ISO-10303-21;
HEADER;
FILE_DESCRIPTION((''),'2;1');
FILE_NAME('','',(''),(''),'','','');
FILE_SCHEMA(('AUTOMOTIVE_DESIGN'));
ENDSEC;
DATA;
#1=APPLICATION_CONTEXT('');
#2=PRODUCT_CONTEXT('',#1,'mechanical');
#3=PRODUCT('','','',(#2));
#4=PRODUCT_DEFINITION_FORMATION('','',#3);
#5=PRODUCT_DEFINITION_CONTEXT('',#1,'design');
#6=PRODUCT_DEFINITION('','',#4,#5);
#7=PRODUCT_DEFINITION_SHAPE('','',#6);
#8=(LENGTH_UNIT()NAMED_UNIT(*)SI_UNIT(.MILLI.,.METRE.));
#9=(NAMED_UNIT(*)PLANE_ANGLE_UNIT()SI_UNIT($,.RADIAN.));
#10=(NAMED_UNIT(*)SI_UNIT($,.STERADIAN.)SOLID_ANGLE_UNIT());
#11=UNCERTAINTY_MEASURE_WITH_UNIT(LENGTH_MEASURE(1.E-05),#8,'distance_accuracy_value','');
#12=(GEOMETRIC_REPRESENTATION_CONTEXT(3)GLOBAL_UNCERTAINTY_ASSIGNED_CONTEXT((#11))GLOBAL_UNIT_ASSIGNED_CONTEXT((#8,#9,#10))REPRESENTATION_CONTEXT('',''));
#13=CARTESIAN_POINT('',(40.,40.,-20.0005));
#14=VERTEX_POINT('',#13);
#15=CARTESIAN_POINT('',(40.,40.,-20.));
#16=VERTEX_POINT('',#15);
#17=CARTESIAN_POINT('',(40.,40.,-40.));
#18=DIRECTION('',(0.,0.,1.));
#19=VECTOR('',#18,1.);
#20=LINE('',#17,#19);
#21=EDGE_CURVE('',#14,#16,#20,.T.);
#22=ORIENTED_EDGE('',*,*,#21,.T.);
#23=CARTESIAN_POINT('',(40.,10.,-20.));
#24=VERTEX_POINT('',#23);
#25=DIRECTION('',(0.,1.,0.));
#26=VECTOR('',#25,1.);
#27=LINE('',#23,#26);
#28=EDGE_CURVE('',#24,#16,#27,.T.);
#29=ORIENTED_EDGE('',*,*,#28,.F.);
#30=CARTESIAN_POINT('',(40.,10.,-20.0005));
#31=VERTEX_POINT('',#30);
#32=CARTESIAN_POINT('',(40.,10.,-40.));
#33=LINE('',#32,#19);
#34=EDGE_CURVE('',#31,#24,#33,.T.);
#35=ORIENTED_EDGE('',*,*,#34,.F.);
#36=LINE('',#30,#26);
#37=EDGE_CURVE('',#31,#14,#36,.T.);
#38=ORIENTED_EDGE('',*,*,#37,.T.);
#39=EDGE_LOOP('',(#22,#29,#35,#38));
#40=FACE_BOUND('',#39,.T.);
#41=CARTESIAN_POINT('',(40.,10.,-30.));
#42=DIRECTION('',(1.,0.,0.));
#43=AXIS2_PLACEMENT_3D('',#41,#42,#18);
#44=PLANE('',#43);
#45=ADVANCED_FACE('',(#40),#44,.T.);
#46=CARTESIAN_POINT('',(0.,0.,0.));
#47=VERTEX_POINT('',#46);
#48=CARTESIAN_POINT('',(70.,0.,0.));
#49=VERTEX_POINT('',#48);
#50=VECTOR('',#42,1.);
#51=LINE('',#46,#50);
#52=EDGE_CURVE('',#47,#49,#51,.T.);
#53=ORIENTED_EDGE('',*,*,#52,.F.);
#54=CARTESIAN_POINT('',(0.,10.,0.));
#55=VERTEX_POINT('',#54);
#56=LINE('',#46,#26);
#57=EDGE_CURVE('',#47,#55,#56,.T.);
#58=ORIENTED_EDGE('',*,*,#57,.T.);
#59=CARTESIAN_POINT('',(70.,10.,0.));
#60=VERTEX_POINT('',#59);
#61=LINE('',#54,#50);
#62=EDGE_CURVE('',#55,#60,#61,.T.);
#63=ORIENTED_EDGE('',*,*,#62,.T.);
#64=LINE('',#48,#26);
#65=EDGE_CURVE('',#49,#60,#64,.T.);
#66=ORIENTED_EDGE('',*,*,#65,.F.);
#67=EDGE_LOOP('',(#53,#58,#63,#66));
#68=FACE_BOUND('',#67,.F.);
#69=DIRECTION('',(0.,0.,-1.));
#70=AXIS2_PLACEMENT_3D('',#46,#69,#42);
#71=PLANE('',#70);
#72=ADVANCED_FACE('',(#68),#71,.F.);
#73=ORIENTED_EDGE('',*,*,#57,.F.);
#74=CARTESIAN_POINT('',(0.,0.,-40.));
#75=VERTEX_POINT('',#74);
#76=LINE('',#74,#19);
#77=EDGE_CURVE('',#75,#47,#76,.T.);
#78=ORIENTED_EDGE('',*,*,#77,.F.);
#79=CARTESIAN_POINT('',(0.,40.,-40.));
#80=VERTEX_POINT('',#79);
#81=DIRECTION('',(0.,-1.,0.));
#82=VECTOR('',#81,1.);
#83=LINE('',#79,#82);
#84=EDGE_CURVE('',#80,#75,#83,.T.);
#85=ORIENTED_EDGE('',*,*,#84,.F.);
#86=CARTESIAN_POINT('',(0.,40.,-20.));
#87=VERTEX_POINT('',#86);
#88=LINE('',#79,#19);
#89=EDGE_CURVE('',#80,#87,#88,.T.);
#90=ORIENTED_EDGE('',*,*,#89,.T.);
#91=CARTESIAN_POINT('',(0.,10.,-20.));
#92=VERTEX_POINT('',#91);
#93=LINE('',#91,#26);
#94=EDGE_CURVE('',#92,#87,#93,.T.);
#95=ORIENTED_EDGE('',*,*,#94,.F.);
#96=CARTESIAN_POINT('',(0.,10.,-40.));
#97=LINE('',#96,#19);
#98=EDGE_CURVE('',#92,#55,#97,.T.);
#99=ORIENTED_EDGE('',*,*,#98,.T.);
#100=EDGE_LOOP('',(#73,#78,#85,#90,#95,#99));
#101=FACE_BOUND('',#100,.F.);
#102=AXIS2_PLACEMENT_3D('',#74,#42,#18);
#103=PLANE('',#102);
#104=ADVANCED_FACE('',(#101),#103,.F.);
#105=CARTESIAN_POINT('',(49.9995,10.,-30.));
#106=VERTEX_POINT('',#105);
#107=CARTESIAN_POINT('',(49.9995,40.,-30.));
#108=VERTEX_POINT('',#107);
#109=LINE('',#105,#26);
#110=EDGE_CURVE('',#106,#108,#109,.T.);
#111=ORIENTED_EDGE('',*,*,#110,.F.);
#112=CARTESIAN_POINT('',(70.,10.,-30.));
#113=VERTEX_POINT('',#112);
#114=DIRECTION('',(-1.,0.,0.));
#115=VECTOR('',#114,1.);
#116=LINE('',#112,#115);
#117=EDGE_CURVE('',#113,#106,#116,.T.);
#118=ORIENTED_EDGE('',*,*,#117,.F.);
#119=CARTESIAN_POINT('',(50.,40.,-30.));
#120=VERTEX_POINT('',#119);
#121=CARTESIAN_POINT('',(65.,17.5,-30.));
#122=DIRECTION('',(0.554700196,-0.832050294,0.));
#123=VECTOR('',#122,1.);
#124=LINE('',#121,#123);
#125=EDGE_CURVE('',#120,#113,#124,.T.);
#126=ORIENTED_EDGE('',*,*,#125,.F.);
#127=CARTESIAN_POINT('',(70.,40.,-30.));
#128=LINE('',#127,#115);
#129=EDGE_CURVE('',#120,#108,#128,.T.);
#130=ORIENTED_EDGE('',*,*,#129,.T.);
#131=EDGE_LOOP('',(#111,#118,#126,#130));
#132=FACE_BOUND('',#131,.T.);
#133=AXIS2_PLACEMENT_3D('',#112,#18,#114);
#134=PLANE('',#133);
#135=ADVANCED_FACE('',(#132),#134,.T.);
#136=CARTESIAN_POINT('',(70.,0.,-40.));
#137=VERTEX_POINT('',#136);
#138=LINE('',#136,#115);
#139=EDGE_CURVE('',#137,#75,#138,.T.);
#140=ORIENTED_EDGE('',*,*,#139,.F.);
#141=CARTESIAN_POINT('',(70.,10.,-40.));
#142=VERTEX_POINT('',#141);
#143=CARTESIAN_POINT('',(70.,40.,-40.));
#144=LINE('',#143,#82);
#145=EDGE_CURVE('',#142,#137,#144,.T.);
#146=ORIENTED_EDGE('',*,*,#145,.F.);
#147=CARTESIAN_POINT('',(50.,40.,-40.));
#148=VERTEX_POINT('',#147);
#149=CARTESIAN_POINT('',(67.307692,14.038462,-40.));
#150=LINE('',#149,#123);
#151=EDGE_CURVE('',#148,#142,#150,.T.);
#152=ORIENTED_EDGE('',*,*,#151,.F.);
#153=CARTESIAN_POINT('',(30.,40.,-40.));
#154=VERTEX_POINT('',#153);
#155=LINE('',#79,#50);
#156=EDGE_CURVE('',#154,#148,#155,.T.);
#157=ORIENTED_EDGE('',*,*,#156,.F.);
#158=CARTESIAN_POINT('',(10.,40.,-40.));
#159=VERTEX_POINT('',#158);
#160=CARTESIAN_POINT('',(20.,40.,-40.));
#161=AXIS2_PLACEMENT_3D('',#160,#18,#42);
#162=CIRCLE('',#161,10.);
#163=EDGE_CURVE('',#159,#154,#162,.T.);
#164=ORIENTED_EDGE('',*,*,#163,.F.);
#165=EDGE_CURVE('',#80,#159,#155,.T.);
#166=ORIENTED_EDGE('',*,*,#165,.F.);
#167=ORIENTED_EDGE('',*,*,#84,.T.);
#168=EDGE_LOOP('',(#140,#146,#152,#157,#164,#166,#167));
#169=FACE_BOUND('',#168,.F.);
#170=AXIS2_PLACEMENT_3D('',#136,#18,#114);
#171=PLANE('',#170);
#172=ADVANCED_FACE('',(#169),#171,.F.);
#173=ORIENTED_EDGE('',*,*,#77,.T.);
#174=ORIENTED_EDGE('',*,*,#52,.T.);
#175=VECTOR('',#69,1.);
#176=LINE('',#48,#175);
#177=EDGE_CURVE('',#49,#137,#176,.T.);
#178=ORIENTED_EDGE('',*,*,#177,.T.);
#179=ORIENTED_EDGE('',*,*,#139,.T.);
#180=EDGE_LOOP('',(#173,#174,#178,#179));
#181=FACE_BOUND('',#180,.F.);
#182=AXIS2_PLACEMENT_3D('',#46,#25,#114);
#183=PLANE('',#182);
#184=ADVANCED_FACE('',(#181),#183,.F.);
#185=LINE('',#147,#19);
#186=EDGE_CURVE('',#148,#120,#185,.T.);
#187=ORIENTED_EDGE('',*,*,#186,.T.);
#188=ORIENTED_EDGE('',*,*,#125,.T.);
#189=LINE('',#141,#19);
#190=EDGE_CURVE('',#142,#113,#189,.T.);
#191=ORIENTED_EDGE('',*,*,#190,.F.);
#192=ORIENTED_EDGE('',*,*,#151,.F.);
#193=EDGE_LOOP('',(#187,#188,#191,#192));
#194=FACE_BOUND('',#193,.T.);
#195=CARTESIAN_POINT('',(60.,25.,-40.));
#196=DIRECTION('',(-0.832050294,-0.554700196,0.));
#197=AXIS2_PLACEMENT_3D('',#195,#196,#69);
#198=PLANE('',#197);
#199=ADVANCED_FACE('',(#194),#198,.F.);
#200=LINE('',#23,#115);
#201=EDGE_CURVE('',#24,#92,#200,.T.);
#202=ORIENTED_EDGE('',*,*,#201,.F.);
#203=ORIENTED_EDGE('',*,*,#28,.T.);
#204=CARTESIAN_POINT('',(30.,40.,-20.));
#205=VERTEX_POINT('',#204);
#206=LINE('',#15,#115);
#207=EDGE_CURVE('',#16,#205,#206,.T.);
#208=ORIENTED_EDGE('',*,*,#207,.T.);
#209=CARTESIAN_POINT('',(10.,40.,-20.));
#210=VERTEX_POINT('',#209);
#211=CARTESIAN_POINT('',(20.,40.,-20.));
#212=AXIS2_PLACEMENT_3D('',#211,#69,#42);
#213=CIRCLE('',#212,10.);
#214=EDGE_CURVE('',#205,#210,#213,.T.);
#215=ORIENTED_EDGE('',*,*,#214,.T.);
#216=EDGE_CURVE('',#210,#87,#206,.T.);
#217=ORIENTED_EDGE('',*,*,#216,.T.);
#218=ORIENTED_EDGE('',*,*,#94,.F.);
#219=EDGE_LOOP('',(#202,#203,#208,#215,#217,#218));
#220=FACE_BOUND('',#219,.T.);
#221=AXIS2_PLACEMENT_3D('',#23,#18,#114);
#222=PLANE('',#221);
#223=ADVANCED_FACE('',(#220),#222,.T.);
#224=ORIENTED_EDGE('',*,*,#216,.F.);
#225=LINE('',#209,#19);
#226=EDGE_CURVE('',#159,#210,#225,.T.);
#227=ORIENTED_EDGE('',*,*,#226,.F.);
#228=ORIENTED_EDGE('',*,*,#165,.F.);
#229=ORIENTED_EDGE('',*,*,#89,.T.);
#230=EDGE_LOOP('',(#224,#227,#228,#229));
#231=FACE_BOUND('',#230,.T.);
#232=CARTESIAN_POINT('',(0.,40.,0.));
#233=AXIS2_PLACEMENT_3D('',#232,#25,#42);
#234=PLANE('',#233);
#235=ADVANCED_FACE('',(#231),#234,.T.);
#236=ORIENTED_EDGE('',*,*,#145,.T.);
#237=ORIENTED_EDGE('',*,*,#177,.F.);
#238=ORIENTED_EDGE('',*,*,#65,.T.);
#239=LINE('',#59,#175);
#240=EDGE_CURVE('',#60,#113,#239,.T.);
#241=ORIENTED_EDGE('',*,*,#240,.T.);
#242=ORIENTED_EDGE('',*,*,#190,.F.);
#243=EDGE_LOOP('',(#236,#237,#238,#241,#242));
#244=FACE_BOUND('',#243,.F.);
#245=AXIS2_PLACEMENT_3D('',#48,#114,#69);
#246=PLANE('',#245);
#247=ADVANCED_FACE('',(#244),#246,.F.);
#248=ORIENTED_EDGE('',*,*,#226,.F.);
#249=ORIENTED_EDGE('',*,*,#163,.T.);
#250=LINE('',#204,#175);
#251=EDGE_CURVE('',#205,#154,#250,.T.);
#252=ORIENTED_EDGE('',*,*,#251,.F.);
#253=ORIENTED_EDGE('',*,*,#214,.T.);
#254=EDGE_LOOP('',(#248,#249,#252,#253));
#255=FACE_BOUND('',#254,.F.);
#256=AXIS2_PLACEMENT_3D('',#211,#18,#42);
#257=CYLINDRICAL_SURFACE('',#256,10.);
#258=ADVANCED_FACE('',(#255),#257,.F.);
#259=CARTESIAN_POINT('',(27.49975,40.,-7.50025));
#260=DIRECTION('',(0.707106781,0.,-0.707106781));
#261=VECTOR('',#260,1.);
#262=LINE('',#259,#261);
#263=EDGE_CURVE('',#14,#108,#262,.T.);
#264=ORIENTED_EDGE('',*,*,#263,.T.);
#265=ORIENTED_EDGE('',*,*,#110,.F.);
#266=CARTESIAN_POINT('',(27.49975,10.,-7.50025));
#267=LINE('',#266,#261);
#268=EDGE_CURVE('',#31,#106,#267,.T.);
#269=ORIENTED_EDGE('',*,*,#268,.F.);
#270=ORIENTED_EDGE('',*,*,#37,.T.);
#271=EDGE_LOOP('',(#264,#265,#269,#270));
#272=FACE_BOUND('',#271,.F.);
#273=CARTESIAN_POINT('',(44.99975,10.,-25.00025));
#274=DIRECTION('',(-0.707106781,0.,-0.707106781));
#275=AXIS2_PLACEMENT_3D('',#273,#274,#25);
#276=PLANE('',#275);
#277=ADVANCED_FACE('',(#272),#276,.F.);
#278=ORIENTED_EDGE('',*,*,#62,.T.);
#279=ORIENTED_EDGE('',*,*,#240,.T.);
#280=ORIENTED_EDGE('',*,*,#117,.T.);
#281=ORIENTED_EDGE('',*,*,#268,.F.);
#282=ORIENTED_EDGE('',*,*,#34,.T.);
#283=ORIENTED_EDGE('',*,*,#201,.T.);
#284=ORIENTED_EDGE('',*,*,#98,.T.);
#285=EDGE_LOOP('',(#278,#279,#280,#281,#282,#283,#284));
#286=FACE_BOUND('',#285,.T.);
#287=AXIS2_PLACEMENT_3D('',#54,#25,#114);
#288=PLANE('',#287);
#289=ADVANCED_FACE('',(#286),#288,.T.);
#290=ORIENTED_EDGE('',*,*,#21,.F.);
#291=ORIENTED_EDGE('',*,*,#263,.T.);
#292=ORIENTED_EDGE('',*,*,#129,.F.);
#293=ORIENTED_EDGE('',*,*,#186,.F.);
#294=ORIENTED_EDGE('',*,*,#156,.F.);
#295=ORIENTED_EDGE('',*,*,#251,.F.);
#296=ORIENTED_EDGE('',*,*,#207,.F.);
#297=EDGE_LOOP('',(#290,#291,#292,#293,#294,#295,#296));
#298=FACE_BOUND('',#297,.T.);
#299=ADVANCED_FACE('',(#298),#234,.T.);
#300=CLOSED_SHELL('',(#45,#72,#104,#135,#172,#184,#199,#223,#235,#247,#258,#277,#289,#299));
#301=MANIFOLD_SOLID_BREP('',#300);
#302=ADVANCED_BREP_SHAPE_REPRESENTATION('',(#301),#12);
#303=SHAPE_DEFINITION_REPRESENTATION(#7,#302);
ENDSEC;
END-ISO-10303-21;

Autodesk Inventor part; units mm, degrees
ref_plane "YZ Plane" through (0, 0, 0) normal (1, 0, 0) x (0, 1, 0)
ref_plane "XZ Plane" through (0, 0, 0) normal (0, 1, 0) x (-1, 0, 0)
ref_plane "XY Plane" through (0, 0, 0) normal (0, 0, 1) x (1, 0, 0)
sketch "草圖1" plane through (0, 0, 0) normal (0, 1, 0) x (-1, 0, 0)
  line L0 (0, 0) -> (-70, 0)
  line L1 (-70, 0) -> (-70, -40)
  line L2 (-70, -40) -> (0, -40)
  line L3 (0, -40) -> (0, 0)
  dimension "d0" = 40
  dimension "d1" = 70
extrude "擠出1" add sketch "草圖1" along normal blind 10
sketch "草圖2" plane through (0, 10, 0) normal (0, 1, 0) x (1, 0, 0)
  line L0 (0, 40) -> (0, 0) projected
  line L1 (0, 40) -> (40, 40)
  line L2 (40, 40) -> (40, 20)
  line L3 (40, 20) -> (0, 20)
  line L4 (0, 20) -> (0, 40)
  line L5 (40, 40) -> (70, 40)
  line L6 (70, 40) -> (70, 30)
  line L7 (70, 30) -> (40, 30)
  line L8 (40, 30) -> (40, 40)
  dimension "d4" = 30
  dimension "d5" = 40
  dimension "d6" = 20
  dimension "d7" = 10
extrude "擠出2" add sketch "草圖2" along normal blind 30
chamfer "倒角1" distance 10 angle 45 1 edges at (40, 25, -30)
chamfer "倒角2" distance 20 distance2 30 1 edges at (70, 40, -35) measured on face at (13.3333, 40, -26.6668)
sketch "草圖3" plane through (0, 10, -20) normal (0, 0, 1) x (1, 0, 0)
  line L0 (0, 30) -> (40, 30) projected
  circle A0 centre (20, 30) radius 10
  point P0 (0, -10)
  dimension "d16" = 20
extrude "擠出3" cut sketch "草圖3" against normal blind 30
properties part number "28"
